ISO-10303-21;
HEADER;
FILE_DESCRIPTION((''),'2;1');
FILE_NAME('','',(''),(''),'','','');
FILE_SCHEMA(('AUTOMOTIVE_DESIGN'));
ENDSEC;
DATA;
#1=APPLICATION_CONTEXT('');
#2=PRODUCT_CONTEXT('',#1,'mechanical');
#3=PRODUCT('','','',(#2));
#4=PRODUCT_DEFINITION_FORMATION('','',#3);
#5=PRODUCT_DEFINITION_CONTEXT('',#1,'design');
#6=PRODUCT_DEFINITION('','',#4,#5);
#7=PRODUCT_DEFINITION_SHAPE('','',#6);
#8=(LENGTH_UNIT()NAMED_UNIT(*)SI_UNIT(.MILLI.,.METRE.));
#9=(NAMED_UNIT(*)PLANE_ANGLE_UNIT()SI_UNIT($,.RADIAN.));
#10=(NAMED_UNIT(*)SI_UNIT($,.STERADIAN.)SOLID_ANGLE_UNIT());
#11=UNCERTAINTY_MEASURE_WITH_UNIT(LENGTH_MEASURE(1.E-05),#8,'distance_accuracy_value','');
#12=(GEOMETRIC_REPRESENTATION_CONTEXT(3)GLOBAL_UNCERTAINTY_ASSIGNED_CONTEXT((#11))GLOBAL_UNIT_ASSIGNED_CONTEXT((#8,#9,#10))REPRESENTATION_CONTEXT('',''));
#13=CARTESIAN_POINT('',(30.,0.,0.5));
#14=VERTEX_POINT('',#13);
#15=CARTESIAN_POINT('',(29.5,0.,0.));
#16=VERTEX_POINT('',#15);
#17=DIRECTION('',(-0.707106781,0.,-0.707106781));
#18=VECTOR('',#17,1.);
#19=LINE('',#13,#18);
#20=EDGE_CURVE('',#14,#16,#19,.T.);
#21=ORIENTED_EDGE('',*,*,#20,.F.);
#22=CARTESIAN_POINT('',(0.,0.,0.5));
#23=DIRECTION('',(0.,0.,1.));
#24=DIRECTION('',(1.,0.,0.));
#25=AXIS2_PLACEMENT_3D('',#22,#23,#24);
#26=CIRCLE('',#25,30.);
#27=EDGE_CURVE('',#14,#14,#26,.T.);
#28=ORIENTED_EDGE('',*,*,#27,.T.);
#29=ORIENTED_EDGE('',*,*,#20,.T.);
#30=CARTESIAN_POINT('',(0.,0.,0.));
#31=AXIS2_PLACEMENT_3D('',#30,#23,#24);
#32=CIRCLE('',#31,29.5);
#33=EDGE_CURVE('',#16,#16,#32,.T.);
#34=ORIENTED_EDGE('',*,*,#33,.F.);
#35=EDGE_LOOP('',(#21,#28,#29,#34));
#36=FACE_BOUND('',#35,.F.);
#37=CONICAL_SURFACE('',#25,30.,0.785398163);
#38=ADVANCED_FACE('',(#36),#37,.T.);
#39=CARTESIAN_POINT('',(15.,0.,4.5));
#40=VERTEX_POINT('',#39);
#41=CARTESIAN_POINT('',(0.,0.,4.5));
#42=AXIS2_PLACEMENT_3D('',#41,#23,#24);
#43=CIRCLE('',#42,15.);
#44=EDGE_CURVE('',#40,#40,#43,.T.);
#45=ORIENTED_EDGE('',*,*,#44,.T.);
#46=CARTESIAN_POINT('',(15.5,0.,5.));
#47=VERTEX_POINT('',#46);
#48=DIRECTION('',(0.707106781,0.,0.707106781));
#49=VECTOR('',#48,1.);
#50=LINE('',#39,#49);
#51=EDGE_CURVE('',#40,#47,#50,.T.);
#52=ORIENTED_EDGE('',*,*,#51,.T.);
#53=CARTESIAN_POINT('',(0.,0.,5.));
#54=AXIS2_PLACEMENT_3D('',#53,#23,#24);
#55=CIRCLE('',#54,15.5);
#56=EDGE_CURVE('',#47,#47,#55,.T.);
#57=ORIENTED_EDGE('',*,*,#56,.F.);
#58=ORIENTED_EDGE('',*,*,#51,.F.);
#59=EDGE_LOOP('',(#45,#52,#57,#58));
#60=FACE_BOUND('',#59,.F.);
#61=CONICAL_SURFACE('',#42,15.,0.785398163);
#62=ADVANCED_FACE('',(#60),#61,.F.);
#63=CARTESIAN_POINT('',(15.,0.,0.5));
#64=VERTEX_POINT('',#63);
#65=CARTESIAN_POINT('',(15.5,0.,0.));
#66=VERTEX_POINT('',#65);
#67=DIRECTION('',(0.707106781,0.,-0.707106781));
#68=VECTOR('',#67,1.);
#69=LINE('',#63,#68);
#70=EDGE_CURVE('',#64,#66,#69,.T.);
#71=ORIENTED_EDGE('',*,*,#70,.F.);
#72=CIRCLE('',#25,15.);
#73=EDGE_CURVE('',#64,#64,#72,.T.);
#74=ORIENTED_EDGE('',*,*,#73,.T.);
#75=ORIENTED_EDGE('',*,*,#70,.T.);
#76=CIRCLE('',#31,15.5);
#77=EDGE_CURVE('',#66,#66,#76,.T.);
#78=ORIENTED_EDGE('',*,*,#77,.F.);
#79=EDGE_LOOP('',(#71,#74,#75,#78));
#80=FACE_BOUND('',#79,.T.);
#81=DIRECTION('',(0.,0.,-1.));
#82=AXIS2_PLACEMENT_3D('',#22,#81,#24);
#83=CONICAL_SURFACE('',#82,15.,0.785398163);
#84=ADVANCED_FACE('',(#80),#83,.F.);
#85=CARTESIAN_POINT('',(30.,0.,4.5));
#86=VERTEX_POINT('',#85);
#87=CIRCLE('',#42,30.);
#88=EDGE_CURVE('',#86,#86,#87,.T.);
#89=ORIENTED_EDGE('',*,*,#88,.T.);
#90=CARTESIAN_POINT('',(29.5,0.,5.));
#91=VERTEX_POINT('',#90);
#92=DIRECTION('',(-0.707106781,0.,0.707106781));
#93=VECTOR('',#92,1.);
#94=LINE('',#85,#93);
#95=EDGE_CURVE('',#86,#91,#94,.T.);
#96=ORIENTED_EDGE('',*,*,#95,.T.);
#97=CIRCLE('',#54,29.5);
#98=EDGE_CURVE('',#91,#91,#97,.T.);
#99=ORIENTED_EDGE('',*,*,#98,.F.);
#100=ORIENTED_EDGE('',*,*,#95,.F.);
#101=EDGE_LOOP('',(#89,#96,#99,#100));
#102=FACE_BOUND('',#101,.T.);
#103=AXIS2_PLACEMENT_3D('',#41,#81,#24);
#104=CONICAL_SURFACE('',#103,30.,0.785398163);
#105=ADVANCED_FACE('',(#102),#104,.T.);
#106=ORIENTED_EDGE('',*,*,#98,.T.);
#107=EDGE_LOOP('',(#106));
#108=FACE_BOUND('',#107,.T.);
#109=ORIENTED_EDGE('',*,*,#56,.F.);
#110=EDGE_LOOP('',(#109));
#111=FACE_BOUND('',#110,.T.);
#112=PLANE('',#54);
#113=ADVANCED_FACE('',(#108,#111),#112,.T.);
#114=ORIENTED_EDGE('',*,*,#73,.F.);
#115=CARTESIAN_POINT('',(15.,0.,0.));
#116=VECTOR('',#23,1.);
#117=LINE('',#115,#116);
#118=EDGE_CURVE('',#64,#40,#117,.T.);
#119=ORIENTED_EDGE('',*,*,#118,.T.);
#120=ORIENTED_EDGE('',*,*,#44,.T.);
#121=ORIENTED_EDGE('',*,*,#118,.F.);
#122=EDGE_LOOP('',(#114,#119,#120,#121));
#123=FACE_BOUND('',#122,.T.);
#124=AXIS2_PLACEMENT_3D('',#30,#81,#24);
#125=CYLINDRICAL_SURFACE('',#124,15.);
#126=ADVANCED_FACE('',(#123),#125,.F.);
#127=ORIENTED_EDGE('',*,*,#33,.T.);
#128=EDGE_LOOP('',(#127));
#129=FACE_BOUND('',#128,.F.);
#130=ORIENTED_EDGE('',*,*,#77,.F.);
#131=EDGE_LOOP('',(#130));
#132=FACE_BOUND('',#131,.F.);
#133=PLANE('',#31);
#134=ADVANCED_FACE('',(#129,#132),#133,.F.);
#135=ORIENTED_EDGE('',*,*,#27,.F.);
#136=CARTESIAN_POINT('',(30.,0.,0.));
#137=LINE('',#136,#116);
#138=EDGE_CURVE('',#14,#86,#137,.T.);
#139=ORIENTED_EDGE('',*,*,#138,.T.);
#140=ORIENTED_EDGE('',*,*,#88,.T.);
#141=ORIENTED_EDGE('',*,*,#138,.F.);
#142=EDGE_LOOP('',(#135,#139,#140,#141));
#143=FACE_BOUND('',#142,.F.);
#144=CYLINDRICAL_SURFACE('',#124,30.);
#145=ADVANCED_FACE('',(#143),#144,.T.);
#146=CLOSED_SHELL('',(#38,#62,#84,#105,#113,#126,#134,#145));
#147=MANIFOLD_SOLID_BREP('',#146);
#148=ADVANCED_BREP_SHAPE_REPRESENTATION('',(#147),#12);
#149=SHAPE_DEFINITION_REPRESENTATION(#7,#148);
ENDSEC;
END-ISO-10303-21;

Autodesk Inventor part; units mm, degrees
ref_plane "YZ Plane" through (0, 0, 0) normal (1, 0, 0) x (0, 1, 0)
ref_plane "XZ Plane" through (0, 0, 0) normal (0, 1, 0) x (-1, 0, 0)
ref_plane "XY Plane" through (0, 0, 0) normal (0, 0, 1) x (1, 0, 0)
sketch "草图1" plane through (0, 0, 0) normal (0, 0, 1) x (1, 0, 0)
  circle A0 centre (0, 0) radius 30
  circle A1 centre (0, 0) radius 15
extrude "拉伸1" add sketch "草图1" along normal blind 5
chamfer "倒角1" distance 0.5 angle 45 4 edges at (-15, 0, 5) (-15, 0, 0) (-30, 0, 5) (-30, 0, 0)
properties part number "my_attempt_v2"
